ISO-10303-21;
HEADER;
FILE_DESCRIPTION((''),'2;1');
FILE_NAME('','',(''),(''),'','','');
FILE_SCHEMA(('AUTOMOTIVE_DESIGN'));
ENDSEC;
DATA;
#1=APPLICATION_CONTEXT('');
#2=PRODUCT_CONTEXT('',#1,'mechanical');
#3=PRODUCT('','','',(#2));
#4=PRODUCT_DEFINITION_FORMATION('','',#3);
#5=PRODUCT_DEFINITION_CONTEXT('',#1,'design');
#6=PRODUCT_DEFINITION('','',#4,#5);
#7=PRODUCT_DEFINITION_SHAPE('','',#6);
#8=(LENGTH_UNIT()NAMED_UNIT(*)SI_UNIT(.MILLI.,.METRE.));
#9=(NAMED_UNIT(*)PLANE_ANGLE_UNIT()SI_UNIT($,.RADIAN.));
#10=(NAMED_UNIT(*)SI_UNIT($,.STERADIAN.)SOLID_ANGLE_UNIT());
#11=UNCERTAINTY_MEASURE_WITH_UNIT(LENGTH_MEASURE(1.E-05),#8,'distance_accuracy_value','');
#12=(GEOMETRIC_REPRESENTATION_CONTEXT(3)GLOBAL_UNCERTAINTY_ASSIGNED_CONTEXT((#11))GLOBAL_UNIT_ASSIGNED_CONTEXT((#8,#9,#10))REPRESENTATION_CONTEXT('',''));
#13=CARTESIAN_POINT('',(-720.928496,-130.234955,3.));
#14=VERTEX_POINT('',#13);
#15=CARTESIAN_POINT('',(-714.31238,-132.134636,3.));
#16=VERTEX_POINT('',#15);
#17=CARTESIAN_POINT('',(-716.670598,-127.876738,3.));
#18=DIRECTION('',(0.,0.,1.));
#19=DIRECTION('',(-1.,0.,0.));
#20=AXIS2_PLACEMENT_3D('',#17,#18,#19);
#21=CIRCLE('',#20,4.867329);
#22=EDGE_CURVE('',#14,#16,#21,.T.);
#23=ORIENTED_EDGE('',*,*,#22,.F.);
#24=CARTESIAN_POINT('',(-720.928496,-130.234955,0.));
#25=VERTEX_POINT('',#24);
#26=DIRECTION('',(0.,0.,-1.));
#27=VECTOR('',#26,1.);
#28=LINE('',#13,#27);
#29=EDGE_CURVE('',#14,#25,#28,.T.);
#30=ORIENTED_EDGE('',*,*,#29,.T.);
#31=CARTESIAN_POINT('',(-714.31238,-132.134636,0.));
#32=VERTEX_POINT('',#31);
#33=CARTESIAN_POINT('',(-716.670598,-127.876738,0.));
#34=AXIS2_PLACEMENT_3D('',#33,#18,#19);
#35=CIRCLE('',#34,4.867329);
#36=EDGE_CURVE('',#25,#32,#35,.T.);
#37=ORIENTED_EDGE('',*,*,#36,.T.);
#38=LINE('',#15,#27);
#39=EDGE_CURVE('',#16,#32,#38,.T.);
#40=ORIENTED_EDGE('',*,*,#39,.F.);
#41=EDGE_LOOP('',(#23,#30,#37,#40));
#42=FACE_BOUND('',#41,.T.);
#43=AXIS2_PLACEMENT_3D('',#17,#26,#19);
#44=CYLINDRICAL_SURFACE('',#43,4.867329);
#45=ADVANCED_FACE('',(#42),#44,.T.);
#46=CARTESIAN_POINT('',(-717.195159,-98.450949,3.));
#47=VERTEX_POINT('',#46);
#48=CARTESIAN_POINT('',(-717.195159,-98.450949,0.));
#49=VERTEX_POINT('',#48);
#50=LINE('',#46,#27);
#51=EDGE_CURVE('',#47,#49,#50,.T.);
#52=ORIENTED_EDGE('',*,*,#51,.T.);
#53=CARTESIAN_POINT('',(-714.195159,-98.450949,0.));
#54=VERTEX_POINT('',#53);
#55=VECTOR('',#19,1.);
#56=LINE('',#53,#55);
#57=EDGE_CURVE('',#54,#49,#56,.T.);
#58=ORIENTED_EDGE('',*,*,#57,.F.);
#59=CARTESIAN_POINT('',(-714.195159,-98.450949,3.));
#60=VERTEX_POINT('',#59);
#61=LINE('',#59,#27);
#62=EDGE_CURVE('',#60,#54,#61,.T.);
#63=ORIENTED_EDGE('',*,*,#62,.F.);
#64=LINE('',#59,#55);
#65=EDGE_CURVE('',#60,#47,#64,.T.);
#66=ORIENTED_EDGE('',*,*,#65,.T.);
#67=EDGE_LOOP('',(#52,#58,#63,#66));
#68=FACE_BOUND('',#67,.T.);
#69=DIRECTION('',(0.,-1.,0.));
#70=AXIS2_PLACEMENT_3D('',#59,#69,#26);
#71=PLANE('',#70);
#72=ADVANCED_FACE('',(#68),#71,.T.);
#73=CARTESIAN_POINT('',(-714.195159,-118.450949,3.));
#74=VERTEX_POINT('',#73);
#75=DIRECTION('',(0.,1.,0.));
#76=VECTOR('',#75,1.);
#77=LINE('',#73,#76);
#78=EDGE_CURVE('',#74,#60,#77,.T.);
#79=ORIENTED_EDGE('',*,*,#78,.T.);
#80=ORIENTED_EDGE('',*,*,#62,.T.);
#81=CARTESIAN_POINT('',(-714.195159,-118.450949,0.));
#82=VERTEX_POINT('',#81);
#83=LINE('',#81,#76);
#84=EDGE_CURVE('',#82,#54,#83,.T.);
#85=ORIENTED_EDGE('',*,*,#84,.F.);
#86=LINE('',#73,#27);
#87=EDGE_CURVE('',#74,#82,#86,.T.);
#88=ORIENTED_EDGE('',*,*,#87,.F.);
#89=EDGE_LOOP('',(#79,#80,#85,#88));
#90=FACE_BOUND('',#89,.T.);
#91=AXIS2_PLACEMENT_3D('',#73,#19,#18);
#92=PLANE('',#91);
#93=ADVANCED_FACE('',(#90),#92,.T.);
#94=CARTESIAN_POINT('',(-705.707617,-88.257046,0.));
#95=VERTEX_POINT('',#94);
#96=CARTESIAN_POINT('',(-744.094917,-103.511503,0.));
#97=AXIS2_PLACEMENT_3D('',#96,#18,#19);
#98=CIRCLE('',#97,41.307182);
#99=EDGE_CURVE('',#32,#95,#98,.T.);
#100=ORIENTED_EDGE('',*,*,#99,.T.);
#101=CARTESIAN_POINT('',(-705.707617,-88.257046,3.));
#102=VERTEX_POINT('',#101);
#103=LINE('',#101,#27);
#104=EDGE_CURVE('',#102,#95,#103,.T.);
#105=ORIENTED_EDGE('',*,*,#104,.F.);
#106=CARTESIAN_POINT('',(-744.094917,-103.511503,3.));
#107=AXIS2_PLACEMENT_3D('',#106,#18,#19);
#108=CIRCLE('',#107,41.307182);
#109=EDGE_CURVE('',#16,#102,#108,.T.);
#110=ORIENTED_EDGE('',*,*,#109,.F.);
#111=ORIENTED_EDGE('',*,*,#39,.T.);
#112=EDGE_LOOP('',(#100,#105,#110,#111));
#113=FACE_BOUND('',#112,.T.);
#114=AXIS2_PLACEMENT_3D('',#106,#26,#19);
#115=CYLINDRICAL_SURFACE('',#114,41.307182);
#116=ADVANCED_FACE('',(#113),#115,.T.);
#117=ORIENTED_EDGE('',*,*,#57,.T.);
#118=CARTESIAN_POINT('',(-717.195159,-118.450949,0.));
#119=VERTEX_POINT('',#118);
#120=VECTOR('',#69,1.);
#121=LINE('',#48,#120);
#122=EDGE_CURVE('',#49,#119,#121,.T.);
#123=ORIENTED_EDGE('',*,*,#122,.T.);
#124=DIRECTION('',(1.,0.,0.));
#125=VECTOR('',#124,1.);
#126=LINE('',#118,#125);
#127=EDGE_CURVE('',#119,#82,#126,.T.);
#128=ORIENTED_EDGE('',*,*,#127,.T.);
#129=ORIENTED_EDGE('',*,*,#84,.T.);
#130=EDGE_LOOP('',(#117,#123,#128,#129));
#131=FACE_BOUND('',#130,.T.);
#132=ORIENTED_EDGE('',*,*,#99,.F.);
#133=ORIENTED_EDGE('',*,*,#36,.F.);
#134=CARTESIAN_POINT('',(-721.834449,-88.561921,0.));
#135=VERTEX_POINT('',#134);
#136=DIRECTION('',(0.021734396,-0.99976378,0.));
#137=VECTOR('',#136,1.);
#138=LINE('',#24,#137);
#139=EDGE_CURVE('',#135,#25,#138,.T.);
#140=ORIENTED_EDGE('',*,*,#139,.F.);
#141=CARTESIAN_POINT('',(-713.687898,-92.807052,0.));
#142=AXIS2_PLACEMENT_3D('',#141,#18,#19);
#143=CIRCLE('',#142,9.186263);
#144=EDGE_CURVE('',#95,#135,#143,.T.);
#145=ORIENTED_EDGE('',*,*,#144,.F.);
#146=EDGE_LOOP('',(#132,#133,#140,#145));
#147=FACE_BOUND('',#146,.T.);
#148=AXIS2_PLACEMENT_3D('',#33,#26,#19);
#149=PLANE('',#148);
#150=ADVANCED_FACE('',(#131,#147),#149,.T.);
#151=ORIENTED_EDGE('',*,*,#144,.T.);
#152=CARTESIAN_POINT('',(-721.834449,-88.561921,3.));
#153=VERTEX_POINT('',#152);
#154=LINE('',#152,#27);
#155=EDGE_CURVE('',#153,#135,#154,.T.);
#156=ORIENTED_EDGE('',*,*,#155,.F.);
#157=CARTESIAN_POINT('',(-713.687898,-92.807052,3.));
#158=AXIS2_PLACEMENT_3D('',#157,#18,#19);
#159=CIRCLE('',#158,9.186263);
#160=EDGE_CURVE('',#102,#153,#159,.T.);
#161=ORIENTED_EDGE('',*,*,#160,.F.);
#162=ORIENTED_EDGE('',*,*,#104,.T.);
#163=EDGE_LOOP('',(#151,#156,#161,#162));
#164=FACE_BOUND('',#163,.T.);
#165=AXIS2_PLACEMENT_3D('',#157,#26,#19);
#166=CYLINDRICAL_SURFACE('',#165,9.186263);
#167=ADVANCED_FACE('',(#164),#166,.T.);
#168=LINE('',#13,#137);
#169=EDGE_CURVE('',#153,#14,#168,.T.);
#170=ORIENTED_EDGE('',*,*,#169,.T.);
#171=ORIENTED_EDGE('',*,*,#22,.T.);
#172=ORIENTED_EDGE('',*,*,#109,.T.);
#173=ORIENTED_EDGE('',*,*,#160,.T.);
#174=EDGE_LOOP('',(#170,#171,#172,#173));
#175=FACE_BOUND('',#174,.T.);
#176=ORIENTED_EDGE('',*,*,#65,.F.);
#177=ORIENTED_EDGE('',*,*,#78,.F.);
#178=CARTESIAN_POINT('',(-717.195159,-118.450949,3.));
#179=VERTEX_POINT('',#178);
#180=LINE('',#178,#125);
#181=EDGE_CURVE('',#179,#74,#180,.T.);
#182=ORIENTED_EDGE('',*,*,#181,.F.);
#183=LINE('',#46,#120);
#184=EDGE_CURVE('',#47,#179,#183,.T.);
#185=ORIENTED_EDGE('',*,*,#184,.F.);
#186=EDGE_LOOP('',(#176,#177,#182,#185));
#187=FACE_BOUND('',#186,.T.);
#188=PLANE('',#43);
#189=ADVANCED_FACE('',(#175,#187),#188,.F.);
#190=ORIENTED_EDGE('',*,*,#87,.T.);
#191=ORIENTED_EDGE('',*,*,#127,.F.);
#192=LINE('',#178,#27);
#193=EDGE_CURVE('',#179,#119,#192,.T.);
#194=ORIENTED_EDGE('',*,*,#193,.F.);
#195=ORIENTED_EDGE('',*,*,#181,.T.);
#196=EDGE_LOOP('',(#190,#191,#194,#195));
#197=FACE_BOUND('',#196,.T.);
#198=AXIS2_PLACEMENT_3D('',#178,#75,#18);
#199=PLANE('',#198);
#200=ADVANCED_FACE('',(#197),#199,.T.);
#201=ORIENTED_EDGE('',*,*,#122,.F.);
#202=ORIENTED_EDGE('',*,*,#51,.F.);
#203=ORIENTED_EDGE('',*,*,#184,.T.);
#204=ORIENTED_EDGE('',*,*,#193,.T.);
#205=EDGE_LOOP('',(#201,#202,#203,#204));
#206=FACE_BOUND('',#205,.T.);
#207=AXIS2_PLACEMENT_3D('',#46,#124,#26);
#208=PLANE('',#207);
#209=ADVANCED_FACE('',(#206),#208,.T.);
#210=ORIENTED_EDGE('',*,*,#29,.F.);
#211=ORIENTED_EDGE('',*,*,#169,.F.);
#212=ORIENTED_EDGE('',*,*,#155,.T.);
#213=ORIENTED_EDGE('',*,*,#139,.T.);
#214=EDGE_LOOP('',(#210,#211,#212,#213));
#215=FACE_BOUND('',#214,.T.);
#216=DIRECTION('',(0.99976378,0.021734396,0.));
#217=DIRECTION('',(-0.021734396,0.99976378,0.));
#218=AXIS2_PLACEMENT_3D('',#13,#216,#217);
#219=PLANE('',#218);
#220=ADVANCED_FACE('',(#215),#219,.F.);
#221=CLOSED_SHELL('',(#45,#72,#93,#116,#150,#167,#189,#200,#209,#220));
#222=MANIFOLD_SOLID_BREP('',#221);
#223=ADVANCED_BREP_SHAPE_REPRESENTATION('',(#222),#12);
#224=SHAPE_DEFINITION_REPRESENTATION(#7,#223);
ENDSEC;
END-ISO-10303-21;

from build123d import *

# Parameters (mm, degrees)
SKETCH1_W          = 3
SKETCH1_H          = 20
BASE_EXTRUDE_DEPTH = 3


with BuildPart() as part:
    # Sketch1 → Base-Extrude (new body)
    with BuildSketch(Plane.XY):
        with BuildLine():
            Line((-720.928496368, -130.234955171), (-721.834448628, -88.561920568))
            ThreePointArc((-721.834448628, -88.561920568), (-713.861531309, -83.622429775), (-705.707617137, -88.257045566))
            ThreePointArc((-705.707617137, -88.257045566), (-703.559840829, -111.460770875), (-714.312380099, -132.134636275))
            ThreePointArc((-714.312380099, -132.134636275), (-718.013875072, -132.555038268), (-720.928496368, -130.234955171))
        make_face()
        with Locations((-715.695158937, -108.450949368)):
            Rectangle(SKETCH1_W, SKETCH1_H, mode=Mode.SUBTRACT)
    extrude(amount=BASE_EXTRUDE_DEPTH)


solid = part.part
